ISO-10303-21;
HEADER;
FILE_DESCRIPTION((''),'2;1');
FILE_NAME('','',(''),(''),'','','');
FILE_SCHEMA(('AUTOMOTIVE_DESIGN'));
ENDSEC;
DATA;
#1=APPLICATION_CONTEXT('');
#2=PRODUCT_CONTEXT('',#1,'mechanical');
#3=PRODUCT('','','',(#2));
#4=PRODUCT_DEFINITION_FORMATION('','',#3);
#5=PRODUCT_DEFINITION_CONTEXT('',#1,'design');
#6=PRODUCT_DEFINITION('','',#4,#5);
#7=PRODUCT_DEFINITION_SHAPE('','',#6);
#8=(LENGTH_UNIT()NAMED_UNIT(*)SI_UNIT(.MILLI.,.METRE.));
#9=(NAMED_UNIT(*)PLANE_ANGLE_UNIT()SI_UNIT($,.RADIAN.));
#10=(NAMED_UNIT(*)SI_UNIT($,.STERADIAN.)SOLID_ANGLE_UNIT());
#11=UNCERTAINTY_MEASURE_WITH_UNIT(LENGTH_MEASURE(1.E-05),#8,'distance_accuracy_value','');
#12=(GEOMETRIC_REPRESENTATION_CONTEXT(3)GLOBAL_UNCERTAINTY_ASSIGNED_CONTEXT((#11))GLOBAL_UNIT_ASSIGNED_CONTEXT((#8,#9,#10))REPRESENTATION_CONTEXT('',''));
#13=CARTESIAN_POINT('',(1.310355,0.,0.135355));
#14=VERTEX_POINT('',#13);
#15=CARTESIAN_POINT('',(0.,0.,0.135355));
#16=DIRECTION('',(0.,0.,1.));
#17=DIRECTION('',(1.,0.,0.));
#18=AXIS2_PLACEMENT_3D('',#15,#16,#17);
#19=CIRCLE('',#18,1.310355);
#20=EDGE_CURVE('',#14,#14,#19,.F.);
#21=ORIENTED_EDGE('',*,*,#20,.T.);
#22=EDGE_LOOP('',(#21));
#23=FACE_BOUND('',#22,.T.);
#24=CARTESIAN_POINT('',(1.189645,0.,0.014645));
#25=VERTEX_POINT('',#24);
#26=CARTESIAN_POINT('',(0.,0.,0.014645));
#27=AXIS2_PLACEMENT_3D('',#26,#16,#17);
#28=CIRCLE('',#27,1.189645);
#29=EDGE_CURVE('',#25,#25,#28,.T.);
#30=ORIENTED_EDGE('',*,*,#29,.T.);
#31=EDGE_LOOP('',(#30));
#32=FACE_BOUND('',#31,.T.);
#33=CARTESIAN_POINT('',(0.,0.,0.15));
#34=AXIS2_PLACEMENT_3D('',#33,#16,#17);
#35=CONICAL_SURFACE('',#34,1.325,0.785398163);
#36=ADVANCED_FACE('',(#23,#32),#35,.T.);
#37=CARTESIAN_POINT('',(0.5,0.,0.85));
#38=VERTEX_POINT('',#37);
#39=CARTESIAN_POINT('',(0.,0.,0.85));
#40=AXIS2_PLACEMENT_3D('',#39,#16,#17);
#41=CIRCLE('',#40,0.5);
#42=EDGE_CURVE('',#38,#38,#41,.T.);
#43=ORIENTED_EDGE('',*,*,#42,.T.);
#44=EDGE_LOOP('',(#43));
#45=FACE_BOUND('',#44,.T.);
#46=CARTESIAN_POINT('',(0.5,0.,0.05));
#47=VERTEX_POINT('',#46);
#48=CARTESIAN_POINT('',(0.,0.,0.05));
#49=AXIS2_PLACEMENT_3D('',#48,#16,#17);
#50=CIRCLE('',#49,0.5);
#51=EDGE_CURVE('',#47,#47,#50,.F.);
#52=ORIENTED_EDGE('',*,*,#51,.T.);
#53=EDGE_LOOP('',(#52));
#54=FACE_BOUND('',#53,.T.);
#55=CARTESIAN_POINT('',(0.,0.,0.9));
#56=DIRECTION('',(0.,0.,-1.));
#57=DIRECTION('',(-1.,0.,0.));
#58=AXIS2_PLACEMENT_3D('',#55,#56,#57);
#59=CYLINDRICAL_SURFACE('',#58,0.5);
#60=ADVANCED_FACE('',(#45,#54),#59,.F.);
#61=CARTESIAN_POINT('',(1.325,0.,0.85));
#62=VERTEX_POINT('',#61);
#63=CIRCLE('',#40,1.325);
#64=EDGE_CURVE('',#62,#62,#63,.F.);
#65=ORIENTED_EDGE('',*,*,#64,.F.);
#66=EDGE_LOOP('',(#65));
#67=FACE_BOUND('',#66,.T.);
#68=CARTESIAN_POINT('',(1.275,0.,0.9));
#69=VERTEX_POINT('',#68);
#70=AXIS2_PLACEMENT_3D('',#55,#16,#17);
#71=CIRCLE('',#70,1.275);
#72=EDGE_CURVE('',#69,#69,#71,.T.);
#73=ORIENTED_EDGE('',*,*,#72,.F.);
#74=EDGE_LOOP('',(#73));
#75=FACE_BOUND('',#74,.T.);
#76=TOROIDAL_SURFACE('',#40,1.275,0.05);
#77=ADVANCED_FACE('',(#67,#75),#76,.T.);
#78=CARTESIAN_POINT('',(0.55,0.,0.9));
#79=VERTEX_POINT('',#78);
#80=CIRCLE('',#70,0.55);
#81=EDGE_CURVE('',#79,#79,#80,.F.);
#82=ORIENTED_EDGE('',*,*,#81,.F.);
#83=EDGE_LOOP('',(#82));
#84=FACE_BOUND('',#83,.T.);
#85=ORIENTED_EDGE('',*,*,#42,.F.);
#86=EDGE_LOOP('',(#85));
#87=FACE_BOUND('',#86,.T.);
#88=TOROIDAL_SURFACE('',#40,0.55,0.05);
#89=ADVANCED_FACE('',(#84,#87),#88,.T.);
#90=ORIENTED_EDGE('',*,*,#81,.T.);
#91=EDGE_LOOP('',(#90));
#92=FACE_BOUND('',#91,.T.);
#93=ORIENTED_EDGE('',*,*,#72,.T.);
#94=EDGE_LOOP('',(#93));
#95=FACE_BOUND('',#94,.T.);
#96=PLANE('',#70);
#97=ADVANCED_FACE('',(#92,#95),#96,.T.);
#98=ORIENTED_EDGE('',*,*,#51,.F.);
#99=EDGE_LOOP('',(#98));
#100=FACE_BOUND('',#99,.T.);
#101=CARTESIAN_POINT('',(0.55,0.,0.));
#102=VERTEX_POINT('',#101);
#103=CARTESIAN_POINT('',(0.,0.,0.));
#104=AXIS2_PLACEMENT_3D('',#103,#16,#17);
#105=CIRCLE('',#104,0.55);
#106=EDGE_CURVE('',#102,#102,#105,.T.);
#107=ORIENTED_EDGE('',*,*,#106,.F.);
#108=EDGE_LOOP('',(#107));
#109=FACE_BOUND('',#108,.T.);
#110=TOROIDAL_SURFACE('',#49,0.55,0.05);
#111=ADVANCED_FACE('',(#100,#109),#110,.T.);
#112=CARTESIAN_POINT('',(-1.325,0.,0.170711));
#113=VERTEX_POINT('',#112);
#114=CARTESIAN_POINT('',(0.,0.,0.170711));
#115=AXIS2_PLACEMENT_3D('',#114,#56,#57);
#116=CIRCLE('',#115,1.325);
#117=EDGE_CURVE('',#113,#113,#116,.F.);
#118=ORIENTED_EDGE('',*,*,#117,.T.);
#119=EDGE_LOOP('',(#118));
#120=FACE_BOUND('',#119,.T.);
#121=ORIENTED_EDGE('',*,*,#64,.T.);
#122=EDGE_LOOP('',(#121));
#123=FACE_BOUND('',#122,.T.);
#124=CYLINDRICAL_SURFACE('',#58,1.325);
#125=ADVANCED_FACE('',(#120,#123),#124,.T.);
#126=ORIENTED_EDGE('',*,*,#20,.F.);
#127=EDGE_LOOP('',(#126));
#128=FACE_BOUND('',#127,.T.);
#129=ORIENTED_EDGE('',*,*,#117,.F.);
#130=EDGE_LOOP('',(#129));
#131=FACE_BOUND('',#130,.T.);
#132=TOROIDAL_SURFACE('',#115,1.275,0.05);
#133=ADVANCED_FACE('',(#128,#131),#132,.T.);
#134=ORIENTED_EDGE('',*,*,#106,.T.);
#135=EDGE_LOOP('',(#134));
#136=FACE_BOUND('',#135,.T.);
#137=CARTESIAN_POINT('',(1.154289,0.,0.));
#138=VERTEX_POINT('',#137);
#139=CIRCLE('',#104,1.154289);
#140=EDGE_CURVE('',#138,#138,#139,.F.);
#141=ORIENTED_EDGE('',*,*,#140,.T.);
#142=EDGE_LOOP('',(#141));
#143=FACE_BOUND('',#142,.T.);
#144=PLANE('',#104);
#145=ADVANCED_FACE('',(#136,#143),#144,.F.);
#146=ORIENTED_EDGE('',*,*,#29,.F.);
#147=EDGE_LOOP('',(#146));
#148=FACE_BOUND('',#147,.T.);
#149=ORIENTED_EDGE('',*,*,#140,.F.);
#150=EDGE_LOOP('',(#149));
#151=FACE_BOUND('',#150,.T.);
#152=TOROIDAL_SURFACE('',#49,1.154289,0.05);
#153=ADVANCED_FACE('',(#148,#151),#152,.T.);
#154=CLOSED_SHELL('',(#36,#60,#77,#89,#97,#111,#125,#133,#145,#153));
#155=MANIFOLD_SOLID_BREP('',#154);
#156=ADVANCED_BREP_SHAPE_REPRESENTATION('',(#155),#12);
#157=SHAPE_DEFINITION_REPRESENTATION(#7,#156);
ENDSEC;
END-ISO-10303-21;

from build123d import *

# Parameters (mm, degrees)
SKETCH1_R           = 1.325
SKETCH1_R_2         = 0.5
BOSS_EXTRUDE1_DEPTH = 0.9
CHAMFER1_SIZE       = 0.15
FILLET1_R           = 0.05


with BuildPart() as part:
    # Sketch1 → Boss-Extrude1 (new body)
    with BuildSketch(Plane.XY):
        Circle(SKETCH1_R)
        Circle(SKETCH1_R_2, mode=Mode.SUBTRACT)
    extrude(amount=BOSS_EXTRUDE1_DEPTH)

    # Chamfer1
    chamfer1_edges = [part.edges().sort_by_distance(p)[0] for p in [
        (-1.325, 0, 0),
    ]]
    chamfer(chamfer1_edges, length=CHAMFER1_SIZE)

    # Fillet1
    fillet1_edges = [part.edges().sort_by_distance(p)[0] for p in [
        (-1.175, 0, 0),
        (-1.325, 0, 0.9),
        (-0.5, 0, 0),
        (-0.5, 0, 0.9),
        (-1.325, 0, 0.15),
    ]]
    fillet(fillet1_edges, radius=FILLET1_R)


solid = part.part
